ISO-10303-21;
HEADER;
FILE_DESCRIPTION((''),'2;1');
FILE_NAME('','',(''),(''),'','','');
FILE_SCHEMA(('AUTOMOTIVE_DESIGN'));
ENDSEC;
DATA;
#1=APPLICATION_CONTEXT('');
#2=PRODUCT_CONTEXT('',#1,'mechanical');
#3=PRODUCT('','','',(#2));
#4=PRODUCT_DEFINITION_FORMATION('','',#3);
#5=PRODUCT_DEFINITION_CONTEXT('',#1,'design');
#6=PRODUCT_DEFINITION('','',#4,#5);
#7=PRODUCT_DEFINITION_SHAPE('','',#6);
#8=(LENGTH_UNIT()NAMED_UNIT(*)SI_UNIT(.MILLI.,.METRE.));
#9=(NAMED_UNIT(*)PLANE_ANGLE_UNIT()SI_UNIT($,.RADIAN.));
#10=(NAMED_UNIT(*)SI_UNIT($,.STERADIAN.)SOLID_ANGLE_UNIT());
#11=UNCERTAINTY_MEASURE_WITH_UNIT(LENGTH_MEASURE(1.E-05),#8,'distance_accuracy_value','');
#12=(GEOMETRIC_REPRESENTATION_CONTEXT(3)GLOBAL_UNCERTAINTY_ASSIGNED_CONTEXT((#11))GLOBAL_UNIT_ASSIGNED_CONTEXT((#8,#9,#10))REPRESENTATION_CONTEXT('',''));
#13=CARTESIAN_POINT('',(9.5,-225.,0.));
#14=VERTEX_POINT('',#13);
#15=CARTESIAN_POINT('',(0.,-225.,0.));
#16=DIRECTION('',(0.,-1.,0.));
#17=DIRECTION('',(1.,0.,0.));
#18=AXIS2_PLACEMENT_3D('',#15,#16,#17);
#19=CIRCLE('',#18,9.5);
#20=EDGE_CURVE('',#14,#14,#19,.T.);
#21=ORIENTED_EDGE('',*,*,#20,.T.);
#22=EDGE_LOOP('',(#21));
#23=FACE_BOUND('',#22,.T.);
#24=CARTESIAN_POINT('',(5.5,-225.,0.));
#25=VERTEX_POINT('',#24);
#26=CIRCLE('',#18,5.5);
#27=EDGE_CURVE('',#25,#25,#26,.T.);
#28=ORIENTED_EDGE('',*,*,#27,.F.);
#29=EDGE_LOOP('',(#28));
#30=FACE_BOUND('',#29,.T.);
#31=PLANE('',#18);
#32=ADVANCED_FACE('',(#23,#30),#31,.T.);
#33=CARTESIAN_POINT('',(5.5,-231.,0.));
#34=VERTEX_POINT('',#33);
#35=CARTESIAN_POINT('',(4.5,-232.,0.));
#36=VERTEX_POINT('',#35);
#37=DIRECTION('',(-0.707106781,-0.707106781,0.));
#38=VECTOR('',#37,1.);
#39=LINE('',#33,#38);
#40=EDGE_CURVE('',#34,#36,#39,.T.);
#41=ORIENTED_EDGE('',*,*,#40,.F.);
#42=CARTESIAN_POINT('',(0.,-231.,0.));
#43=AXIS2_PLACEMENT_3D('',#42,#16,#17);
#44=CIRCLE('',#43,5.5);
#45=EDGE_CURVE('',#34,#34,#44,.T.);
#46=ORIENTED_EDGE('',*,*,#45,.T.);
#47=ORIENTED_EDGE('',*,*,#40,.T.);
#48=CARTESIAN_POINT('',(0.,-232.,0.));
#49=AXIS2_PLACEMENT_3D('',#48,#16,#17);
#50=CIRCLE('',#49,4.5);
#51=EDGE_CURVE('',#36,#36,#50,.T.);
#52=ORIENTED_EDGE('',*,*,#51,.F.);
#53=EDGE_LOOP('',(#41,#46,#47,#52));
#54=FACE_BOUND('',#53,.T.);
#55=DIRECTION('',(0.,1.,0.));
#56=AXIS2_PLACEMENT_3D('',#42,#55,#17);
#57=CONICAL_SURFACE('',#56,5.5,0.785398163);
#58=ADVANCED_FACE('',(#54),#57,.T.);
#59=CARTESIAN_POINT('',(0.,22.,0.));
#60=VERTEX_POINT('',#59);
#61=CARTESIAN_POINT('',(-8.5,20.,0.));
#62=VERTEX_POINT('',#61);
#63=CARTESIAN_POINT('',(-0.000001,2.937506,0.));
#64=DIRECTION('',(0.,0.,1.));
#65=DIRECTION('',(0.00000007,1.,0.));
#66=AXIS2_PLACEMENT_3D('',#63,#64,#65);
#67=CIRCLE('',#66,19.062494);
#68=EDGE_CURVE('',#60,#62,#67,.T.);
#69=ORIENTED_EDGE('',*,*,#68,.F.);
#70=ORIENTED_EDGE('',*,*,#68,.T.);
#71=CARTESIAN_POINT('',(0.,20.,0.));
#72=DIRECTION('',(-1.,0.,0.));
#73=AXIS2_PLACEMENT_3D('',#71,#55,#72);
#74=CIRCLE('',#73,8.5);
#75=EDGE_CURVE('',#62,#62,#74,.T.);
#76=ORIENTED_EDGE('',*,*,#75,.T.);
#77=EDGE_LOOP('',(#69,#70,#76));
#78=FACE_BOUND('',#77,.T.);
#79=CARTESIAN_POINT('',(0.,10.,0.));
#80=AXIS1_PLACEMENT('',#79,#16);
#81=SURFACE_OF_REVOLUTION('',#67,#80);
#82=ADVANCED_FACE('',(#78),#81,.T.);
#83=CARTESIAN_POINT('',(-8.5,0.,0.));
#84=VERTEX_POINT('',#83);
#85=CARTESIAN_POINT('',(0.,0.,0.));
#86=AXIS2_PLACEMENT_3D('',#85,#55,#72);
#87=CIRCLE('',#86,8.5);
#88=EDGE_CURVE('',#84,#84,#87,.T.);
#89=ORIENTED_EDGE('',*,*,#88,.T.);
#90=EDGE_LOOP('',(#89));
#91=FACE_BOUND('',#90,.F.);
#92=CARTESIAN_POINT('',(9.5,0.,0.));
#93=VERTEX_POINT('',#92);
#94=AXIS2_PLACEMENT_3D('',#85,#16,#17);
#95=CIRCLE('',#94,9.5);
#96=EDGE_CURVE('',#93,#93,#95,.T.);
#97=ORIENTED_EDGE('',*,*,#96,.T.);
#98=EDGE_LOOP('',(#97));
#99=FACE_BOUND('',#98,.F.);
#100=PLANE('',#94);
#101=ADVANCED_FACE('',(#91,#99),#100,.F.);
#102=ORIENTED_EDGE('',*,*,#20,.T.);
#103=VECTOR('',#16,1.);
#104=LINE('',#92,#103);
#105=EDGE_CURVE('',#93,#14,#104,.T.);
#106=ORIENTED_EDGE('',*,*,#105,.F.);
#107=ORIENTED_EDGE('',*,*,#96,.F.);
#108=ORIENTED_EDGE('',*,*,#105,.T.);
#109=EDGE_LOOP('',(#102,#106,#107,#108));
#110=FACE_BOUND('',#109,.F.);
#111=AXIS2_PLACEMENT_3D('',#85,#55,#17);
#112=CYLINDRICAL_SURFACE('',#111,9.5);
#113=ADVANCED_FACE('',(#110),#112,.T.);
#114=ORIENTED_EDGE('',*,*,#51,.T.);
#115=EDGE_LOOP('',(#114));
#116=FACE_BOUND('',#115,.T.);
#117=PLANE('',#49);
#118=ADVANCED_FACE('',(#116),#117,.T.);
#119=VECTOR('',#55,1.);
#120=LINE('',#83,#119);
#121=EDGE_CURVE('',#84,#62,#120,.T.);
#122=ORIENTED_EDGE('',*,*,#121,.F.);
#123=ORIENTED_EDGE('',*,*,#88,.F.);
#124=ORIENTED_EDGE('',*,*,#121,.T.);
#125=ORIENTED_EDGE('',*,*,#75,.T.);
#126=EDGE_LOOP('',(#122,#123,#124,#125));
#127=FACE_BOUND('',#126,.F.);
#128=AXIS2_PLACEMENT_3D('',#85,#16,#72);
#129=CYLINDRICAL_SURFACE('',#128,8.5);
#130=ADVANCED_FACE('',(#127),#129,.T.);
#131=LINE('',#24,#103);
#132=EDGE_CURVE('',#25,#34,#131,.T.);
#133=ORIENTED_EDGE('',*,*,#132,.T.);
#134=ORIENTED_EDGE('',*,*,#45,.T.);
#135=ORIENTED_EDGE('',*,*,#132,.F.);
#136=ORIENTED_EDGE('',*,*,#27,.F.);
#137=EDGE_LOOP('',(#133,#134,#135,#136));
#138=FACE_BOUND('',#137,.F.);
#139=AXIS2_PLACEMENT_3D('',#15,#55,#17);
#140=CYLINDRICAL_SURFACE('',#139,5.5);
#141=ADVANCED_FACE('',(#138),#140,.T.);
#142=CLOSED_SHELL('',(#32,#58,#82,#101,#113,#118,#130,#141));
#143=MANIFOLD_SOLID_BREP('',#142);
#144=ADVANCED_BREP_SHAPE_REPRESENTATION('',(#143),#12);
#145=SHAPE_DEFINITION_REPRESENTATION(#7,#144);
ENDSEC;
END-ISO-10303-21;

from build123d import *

# Parameters (mm, degrees)
F0_R     = 9.5
F1_DEPTH = 225
F2_R     = 5.5
F3_DEPTH = 7
F4_SIZE  = 1
F5_R     = 8.5
F6_DEPTH = 20


with BuildPart() as f1:
    # F0 (on Front) → F1 (new body)
    with BuildSketch(Plane.XZ):
        Circle(F0_R)
    extrude(amount=F1_DEPTH)

    # F2 (on face) → F3 (join)
    with BuildSketch(Plane.XZ.offset(225)):
        Circle(F2_R)
    extrude(amount=F3_DEPTH)

    # F4
    f4_edges = [f1.edges().sort_by_distance(p)[0] for p in [
        (-5.5, -232, 0),
    ]]
    chamfer(f4_edges, length=F4_SIZE)

    # F5 (on face) → F6 (join)
    with BuildSketch(Plane(origin=(0, 0, 0), x_dir=(-1, 0, 0), z_dir=(0, 1, 0))):
        Circle(F5_R)
    extrude(amount=F6_DEPTH)

    # F7 (on Top) → F8 (revolve)
    with BuildSketch(Plane.XY):
        with BuildLine():
            Line((-8.5, 20), (0, 20))
            Line((0, 20), (0, 22))
            ThreePointArc((0, 22), (-4.366062, 21.493265), (-8.5, 20))
        make_face()
    revolve(axis=Axis((0, 10, 0), (0, -1, 0)))


solid = f1.part
